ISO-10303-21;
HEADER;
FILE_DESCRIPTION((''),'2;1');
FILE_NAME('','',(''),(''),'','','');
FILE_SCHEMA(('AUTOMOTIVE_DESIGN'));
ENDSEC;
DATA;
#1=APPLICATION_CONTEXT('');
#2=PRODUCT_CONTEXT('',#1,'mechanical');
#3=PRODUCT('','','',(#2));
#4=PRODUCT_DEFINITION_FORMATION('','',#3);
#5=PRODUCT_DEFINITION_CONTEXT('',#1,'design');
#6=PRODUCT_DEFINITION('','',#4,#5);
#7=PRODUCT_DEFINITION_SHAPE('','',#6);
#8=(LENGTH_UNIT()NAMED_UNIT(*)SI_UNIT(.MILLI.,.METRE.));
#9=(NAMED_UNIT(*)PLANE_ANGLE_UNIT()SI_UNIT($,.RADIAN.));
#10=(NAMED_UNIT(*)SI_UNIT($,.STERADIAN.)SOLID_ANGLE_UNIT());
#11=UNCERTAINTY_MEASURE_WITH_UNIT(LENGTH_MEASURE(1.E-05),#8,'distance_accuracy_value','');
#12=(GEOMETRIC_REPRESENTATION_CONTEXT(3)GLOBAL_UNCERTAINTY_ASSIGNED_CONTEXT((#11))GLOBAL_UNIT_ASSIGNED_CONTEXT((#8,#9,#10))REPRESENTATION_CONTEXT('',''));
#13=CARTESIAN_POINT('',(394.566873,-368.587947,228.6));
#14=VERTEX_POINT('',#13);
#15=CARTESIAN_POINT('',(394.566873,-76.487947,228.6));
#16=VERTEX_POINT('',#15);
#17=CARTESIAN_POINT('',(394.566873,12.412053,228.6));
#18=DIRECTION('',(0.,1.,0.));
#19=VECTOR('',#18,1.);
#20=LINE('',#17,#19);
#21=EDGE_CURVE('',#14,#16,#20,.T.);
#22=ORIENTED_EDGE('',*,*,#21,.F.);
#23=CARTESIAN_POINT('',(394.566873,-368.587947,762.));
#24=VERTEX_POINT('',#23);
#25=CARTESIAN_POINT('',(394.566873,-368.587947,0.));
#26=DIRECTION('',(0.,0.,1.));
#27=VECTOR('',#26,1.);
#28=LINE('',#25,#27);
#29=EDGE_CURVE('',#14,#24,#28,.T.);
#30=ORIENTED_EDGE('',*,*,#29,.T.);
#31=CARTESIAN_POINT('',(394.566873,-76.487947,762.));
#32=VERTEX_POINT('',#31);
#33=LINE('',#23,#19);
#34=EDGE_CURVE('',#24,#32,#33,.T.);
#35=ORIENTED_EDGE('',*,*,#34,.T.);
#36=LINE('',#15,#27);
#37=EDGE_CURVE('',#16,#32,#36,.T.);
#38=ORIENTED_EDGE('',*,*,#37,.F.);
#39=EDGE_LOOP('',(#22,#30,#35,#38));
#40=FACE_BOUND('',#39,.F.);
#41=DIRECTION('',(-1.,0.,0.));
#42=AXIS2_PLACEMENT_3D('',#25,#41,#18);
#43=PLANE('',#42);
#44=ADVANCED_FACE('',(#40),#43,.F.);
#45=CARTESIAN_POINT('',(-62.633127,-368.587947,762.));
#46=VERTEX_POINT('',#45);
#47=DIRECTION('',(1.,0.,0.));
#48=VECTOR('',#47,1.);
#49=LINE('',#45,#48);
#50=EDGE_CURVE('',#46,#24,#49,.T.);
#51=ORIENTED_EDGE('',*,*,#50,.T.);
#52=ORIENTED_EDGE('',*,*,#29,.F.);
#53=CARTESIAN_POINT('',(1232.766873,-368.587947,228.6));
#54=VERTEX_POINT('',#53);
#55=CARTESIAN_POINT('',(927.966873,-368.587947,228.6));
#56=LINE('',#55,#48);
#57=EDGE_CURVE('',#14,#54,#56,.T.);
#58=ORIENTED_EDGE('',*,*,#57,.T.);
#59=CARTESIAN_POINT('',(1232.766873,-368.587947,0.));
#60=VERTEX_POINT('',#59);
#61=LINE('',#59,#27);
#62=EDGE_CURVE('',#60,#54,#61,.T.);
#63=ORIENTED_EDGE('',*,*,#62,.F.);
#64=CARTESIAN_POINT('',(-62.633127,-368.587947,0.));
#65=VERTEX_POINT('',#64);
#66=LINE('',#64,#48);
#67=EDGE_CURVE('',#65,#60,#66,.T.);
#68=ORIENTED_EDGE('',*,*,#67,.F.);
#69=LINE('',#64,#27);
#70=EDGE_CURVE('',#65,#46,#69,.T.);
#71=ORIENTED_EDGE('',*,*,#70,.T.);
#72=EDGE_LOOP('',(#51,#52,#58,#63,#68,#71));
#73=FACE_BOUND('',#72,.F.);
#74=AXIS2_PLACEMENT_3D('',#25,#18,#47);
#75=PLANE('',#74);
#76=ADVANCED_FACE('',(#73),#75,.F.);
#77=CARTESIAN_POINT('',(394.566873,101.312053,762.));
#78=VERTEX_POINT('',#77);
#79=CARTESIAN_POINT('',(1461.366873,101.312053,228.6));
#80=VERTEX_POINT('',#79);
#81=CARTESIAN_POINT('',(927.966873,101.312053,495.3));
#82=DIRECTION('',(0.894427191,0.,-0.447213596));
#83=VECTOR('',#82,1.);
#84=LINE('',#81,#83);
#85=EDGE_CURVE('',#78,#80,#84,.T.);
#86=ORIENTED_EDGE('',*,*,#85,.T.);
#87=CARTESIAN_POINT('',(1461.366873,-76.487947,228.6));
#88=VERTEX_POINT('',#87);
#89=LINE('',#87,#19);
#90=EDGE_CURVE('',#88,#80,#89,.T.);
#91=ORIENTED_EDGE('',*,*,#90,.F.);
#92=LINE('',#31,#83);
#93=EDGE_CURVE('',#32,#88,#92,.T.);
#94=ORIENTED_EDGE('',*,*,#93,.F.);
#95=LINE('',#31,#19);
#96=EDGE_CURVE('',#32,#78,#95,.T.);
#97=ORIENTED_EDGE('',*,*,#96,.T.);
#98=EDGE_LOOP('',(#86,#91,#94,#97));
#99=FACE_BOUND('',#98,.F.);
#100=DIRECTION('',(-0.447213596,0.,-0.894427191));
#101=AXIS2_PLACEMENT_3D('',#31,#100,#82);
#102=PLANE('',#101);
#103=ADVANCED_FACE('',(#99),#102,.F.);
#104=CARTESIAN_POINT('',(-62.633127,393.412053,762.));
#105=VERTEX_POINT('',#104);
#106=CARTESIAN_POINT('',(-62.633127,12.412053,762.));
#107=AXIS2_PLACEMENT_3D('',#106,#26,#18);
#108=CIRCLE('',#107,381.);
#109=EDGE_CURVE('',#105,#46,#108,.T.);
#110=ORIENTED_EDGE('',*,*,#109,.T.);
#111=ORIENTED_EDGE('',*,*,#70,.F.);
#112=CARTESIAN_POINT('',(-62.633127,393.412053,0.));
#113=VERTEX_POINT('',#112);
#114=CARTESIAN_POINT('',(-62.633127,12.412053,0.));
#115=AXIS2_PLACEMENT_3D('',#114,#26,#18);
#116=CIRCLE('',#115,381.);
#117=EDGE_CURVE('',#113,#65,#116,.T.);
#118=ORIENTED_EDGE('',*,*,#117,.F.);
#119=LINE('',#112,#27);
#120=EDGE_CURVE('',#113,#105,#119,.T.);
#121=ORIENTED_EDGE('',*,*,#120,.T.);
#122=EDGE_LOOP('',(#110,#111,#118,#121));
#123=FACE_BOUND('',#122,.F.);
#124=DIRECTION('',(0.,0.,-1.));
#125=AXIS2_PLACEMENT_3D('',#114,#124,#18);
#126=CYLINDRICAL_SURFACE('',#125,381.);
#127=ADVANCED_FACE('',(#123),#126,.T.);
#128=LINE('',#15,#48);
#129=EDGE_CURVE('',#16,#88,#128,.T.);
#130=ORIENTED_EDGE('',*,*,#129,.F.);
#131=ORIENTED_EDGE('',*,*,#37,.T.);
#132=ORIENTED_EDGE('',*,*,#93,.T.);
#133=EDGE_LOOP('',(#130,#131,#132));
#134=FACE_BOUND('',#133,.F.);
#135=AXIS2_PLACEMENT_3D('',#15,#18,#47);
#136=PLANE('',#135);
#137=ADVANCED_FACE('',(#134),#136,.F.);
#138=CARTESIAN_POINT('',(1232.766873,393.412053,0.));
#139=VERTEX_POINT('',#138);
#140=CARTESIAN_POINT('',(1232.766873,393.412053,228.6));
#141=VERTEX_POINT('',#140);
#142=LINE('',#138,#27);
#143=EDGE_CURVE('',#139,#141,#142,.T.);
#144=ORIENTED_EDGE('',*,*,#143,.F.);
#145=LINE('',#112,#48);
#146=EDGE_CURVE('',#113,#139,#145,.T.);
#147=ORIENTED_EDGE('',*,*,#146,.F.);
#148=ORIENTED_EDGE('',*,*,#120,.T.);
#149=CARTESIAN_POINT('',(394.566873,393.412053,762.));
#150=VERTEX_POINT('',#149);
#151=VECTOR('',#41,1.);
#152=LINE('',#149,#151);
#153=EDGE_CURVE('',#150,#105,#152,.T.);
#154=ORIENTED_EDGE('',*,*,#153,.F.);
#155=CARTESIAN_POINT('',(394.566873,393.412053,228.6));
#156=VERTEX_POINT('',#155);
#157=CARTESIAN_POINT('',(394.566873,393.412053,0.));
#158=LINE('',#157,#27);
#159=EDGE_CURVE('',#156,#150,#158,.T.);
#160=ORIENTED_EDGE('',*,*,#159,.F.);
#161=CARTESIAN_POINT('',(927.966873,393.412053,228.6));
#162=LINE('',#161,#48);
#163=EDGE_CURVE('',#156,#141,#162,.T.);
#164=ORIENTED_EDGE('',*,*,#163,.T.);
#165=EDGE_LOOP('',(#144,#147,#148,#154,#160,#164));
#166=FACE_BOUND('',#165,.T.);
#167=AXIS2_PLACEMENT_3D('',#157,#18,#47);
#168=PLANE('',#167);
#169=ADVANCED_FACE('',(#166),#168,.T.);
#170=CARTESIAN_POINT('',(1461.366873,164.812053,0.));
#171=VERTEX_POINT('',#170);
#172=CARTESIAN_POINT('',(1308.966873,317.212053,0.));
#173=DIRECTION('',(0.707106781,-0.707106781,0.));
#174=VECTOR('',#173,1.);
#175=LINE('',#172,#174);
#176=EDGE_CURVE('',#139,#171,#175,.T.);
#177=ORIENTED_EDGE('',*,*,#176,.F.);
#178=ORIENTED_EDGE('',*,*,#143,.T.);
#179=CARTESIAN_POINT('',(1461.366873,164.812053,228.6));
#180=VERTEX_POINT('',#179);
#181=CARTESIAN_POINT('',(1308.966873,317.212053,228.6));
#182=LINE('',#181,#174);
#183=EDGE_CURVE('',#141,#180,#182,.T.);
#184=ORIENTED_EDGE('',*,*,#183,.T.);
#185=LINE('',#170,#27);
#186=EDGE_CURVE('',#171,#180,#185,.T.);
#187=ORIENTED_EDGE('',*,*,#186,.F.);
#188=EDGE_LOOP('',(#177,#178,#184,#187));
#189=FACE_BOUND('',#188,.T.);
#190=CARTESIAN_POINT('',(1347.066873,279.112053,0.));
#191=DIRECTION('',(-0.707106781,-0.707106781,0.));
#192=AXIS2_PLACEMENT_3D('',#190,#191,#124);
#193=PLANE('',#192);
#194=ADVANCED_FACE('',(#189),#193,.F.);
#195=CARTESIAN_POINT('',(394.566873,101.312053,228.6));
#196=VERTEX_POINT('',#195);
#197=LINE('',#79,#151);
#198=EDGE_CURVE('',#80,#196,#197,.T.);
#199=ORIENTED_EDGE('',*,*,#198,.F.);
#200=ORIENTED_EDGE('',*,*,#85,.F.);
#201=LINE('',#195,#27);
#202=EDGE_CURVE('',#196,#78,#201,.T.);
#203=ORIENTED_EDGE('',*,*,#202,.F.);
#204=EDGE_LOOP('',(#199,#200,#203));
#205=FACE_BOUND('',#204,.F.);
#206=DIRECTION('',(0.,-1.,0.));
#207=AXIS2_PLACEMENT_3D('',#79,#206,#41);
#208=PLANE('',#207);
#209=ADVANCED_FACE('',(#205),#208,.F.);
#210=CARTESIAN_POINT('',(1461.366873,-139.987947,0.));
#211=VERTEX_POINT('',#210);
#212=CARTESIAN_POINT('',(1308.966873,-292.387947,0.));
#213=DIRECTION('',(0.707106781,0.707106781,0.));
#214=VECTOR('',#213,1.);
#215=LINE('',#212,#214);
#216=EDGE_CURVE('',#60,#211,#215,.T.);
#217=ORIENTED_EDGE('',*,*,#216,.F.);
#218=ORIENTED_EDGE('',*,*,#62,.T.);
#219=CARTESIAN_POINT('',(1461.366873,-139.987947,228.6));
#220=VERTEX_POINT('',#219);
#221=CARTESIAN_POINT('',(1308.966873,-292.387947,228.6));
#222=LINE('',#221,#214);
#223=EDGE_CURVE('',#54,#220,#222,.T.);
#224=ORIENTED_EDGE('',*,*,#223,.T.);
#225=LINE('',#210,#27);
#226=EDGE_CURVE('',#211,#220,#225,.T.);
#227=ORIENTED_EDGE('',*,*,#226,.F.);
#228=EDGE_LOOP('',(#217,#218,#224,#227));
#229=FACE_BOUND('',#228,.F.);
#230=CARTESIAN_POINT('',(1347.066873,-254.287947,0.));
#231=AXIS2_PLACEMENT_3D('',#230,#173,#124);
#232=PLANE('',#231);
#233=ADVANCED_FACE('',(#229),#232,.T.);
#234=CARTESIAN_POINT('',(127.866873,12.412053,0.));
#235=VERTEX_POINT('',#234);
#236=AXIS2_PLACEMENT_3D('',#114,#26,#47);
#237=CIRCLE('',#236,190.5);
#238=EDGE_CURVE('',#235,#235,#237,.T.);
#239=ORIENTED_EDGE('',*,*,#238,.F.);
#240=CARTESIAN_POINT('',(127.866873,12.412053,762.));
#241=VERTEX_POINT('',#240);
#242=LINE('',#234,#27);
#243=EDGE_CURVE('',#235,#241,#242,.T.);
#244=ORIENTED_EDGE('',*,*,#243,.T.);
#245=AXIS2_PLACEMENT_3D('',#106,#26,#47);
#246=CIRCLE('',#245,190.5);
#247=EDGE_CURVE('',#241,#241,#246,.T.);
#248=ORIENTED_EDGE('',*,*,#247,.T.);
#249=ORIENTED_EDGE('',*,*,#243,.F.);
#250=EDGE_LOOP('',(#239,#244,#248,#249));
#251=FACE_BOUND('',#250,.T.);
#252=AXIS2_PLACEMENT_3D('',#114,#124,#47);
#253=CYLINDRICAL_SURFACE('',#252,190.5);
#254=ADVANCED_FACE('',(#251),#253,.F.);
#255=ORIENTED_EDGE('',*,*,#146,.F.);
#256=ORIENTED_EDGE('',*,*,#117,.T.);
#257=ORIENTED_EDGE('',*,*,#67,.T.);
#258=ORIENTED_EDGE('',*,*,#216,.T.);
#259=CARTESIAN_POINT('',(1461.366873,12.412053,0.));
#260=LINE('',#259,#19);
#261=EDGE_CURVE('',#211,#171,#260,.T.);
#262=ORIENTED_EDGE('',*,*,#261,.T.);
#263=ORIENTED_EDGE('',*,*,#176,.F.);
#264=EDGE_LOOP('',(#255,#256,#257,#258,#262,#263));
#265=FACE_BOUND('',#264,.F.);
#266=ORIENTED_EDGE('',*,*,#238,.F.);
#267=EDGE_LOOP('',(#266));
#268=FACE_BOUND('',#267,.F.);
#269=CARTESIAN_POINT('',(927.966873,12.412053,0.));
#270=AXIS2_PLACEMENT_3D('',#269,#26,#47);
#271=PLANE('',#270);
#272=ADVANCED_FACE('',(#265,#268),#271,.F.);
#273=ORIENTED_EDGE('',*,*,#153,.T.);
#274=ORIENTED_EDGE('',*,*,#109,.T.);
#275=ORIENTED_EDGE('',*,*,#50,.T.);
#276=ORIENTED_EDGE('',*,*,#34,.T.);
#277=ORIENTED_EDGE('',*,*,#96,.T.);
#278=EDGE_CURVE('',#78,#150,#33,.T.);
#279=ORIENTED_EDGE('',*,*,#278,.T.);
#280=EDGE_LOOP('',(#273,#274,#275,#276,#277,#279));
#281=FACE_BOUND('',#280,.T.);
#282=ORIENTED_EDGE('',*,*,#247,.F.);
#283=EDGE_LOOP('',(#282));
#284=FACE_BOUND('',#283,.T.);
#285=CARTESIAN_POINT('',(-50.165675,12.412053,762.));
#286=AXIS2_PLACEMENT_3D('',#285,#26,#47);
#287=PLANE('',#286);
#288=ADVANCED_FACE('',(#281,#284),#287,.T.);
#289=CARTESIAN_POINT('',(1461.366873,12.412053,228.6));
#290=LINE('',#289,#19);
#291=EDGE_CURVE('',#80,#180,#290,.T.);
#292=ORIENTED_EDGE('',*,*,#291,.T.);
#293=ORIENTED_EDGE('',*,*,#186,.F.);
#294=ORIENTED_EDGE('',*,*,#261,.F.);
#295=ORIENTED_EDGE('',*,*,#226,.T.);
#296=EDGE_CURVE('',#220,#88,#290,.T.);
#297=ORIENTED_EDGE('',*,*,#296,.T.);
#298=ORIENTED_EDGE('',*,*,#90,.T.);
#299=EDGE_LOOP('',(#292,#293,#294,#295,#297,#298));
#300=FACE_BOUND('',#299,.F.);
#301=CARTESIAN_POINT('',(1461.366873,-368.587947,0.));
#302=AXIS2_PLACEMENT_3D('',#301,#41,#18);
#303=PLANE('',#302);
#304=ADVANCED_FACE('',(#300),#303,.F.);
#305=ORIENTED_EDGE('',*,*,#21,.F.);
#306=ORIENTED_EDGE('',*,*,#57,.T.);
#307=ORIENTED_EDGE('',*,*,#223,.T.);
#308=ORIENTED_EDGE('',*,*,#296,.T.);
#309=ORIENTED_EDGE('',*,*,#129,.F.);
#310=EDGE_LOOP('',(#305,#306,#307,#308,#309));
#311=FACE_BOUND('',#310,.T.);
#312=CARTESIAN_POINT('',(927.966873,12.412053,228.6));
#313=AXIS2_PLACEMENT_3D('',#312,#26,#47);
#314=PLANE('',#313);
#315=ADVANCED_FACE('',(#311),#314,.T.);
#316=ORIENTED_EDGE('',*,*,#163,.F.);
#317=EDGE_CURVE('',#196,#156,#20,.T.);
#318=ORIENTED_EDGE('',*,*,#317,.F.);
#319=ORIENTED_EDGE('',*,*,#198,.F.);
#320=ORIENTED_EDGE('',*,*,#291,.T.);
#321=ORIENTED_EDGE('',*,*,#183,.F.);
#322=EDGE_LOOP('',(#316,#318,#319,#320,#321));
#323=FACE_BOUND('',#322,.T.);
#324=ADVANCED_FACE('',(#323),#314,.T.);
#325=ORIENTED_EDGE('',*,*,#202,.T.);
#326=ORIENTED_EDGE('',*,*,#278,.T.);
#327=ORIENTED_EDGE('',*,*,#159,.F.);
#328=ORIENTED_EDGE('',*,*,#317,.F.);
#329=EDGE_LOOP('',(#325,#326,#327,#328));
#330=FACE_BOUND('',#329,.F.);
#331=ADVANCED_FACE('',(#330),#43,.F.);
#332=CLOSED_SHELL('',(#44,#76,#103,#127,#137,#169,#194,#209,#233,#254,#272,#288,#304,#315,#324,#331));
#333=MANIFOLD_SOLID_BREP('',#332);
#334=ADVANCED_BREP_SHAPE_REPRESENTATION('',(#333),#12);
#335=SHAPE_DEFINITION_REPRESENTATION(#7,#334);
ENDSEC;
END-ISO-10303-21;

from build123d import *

# Parameters (mm, degrees)
F0_R     = 190.5
F1_DEPTH = 762
F0_W     = 1066.8
F0_H     = 762
F2_DEPTH = 228.6
F3_SIZE  = 228.6
F5_DEPTH = 533.4
F7_DEPTH = 2540


with BuildPart() as f1:
    # F0 (on Top) → F1 (new body)
    with BuildSketch(Plane.XY):
        with BuildLine():
            ThreePointArc((-62.633127, -368.587947), (206.774557, -256.995631), (318.366873, 12.412053))
            ThreePointArc((318.366873, 12.412053), (206.774557, 281.819736), (-62.633127, 393.412053))
            ThreePointArc((-62.633127, 393.412053), (-443.633127, 12.412053), (-62.633127, -368.587947))
        make_face()
        with Locations((-62.633127, 12.412053)):
            Circle(F0_R, mode=Mode.SUBTRACT)
        with BuildLine():
            ThreePointArc((-62.633127, 393.412053), (206.774557, 281.819736), (318.366873, 12.412053))
            ThreePointArc((318.366873, 12.412053), (206.774557, -256.995631), (-62.633127, -368.587947))
            Line((-62.633127, -368.587947), (394.566873, -368.587947))
            Line((394.566873, -368.587947), (394.566873, 393.412053))
            Line((394.566873, 393.412053), (-62.633127, 393.412053))
        make_face()
    extrude(amount=F1_DEPTH)

    # F0 (on Top) → F2 (join)
    with BuildSketch(Plane.XY):
        with Locations((927.966873, 12.412053)):
            Rectangle(F0_W, F0_H)
    extrude(amount=F2_DEPTH)

    # F3
    f3_edges = [f1.edges().sort_by_distance(p)[0] for p in [
        (1461.366873, 393.412053, 114.3),
        (1461.366873, -368.587947, 114.3),
    ]]
    chamfer(f3_edges, length=F3_SIZE)

    # F4 (on face) → F5 (join)
    with BuildSketch(Plane.XY.offset(228.6)):
        Polygon((394.566873, 101.312053), (394.566873, 12.412053), (394.566873, -76.487947), (1461.366873, -76.487947), (1461.366873, 101.312053), align=None)
    extrude(amount=F5_DEPTH)

    # F6 (on face) → F7 (cut)
    with BuildSketch(Plane.XZ.offset(76.487947)):
        Polygon((1461.366873, 762), (394.566873, 762), (1461.366873, 228.6), align=None)
    extrude(amount=-F7_DEPTH, mode=Mode.SUBTRACT)


solid = f1.part
